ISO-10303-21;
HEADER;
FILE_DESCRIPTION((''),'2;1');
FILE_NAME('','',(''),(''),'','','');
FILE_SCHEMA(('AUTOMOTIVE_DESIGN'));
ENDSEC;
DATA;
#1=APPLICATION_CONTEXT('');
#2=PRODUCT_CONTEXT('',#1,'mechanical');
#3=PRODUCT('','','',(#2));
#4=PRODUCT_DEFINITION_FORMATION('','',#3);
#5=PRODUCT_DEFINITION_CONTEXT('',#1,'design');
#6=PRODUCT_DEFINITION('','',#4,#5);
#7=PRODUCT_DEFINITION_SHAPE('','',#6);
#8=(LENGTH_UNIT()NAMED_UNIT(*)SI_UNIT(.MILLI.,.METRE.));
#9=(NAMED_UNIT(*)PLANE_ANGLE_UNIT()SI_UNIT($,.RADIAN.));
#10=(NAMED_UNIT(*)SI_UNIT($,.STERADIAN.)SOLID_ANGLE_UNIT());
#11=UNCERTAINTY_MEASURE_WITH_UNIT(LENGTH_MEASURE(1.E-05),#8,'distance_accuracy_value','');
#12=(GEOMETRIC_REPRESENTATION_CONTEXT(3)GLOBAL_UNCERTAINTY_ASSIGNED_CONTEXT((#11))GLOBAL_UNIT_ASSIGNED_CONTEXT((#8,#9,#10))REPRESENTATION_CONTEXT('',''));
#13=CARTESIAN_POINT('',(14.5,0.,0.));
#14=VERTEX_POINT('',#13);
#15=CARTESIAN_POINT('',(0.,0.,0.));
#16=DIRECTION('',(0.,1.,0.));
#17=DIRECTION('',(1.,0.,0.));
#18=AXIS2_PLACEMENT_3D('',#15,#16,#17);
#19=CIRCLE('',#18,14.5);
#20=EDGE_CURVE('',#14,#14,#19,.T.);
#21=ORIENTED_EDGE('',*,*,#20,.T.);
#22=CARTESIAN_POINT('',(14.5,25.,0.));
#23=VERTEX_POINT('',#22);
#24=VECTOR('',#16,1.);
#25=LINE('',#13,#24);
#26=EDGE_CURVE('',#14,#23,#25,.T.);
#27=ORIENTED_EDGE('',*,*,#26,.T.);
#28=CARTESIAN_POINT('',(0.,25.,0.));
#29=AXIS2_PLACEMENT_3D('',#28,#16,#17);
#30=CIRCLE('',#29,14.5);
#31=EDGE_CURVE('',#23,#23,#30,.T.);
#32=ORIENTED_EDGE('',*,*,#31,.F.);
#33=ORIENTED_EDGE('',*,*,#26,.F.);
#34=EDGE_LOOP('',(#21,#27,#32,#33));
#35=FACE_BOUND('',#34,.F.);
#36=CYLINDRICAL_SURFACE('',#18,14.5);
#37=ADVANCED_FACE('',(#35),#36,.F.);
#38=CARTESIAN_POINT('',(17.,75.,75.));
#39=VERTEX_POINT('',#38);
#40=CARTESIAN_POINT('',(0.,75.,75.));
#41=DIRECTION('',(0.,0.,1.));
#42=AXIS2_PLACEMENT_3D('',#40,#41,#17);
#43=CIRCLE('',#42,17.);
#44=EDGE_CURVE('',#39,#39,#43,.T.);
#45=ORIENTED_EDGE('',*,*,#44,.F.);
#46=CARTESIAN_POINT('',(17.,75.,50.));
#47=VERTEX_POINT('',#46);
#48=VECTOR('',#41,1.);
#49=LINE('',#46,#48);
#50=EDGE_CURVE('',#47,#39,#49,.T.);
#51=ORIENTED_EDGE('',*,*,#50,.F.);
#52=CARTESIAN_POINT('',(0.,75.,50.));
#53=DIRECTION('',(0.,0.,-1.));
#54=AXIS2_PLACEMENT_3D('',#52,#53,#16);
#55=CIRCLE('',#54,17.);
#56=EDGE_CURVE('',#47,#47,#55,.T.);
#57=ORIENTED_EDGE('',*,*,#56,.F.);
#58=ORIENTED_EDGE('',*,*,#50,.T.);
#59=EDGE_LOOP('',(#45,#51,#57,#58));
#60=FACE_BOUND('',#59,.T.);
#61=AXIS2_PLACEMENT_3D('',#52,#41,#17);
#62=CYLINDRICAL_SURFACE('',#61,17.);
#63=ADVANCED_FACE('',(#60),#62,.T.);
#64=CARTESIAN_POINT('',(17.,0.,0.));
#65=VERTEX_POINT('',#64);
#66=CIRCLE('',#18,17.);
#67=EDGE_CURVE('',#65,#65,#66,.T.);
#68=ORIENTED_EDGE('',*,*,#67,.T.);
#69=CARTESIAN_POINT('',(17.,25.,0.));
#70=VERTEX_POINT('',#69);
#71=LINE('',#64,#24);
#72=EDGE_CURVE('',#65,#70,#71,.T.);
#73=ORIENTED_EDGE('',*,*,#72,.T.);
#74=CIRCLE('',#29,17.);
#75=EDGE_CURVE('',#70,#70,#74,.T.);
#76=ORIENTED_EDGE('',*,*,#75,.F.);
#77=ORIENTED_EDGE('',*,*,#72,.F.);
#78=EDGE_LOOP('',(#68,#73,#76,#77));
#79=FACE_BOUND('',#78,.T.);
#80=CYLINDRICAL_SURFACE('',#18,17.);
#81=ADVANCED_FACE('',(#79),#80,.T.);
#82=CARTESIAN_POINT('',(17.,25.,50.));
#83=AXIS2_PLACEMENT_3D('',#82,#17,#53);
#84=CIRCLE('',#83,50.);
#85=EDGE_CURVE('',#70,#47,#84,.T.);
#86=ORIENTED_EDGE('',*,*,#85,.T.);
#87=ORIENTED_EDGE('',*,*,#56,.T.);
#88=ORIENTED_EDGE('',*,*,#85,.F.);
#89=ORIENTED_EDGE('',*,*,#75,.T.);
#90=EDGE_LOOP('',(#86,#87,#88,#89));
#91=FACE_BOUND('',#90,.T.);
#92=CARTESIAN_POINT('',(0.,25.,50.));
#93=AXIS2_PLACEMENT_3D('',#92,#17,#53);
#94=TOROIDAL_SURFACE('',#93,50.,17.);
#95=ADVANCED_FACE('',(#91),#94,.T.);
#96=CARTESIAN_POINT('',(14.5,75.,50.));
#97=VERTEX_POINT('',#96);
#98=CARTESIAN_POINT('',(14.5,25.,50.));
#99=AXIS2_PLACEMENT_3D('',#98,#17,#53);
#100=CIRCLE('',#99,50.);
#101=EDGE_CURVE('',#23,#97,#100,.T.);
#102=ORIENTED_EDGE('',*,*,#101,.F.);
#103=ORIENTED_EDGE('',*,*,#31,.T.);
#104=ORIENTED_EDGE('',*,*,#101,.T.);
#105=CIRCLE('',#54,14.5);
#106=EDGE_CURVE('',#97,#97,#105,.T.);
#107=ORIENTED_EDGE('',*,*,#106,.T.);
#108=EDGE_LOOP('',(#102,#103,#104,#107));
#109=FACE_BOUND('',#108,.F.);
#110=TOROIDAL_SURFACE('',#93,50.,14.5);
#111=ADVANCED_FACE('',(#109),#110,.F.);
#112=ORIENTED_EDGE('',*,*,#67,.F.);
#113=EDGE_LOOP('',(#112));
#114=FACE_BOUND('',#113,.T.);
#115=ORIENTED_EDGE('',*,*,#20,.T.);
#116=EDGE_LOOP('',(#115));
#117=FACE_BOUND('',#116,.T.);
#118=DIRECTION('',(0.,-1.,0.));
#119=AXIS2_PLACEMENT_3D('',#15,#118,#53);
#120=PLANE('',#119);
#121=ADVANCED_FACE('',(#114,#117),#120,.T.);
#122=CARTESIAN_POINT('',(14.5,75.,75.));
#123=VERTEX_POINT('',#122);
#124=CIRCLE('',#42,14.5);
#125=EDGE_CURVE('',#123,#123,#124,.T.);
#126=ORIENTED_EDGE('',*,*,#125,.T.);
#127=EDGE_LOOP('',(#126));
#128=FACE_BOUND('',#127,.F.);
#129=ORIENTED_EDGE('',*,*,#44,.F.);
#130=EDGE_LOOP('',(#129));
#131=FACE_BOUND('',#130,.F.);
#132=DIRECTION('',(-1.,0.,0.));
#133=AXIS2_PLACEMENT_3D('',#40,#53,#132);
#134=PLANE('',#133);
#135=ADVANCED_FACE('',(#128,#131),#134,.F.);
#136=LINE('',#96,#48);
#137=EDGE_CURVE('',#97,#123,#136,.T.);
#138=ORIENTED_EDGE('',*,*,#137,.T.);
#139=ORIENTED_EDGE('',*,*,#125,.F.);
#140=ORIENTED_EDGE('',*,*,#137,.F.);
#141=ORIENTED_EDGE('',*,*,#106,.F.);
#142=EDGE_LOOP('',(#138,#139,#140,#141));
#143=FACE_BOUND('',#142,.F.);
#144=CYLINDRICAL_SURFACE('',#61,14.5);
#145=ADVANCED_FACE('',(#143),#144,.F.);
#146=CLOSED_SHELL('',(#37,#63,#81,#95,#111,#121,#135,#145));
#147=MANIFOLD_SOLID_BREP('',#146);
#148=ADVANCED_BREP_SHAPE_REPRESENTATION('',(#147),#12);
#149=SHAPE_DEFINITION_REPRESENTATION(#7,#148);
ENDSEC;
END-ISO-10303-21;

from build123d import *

# Parameters (mm, degrees)
F0_R = 17
F3_T = -2.5


with BuildPart() as f2:
    # F2: sweep along a path in F1
    with BuildLine(Plane.YZ) as f2_path:
        Line((0, 0), (25, 0))
        ThreePointArc((25, 0), (60.3553390593, 14.6446609407), (75, 50))
        Line((75, 50), (75, 75))
    # F0 (on Front) → F2 (sweep)
    with BuildSketch(Plane.XZ):
        Circle(F0_R)
    sweep(path=f2_path.line)

    # F3
    f3_openings = [f2.faces().sort_by_distance(p)[0] for p in [
        (0, 0, 0),
        (0, 75, 75),
    ]]
    offset(amount=F3_T, openings=f3_openings)


solid = f2.part
